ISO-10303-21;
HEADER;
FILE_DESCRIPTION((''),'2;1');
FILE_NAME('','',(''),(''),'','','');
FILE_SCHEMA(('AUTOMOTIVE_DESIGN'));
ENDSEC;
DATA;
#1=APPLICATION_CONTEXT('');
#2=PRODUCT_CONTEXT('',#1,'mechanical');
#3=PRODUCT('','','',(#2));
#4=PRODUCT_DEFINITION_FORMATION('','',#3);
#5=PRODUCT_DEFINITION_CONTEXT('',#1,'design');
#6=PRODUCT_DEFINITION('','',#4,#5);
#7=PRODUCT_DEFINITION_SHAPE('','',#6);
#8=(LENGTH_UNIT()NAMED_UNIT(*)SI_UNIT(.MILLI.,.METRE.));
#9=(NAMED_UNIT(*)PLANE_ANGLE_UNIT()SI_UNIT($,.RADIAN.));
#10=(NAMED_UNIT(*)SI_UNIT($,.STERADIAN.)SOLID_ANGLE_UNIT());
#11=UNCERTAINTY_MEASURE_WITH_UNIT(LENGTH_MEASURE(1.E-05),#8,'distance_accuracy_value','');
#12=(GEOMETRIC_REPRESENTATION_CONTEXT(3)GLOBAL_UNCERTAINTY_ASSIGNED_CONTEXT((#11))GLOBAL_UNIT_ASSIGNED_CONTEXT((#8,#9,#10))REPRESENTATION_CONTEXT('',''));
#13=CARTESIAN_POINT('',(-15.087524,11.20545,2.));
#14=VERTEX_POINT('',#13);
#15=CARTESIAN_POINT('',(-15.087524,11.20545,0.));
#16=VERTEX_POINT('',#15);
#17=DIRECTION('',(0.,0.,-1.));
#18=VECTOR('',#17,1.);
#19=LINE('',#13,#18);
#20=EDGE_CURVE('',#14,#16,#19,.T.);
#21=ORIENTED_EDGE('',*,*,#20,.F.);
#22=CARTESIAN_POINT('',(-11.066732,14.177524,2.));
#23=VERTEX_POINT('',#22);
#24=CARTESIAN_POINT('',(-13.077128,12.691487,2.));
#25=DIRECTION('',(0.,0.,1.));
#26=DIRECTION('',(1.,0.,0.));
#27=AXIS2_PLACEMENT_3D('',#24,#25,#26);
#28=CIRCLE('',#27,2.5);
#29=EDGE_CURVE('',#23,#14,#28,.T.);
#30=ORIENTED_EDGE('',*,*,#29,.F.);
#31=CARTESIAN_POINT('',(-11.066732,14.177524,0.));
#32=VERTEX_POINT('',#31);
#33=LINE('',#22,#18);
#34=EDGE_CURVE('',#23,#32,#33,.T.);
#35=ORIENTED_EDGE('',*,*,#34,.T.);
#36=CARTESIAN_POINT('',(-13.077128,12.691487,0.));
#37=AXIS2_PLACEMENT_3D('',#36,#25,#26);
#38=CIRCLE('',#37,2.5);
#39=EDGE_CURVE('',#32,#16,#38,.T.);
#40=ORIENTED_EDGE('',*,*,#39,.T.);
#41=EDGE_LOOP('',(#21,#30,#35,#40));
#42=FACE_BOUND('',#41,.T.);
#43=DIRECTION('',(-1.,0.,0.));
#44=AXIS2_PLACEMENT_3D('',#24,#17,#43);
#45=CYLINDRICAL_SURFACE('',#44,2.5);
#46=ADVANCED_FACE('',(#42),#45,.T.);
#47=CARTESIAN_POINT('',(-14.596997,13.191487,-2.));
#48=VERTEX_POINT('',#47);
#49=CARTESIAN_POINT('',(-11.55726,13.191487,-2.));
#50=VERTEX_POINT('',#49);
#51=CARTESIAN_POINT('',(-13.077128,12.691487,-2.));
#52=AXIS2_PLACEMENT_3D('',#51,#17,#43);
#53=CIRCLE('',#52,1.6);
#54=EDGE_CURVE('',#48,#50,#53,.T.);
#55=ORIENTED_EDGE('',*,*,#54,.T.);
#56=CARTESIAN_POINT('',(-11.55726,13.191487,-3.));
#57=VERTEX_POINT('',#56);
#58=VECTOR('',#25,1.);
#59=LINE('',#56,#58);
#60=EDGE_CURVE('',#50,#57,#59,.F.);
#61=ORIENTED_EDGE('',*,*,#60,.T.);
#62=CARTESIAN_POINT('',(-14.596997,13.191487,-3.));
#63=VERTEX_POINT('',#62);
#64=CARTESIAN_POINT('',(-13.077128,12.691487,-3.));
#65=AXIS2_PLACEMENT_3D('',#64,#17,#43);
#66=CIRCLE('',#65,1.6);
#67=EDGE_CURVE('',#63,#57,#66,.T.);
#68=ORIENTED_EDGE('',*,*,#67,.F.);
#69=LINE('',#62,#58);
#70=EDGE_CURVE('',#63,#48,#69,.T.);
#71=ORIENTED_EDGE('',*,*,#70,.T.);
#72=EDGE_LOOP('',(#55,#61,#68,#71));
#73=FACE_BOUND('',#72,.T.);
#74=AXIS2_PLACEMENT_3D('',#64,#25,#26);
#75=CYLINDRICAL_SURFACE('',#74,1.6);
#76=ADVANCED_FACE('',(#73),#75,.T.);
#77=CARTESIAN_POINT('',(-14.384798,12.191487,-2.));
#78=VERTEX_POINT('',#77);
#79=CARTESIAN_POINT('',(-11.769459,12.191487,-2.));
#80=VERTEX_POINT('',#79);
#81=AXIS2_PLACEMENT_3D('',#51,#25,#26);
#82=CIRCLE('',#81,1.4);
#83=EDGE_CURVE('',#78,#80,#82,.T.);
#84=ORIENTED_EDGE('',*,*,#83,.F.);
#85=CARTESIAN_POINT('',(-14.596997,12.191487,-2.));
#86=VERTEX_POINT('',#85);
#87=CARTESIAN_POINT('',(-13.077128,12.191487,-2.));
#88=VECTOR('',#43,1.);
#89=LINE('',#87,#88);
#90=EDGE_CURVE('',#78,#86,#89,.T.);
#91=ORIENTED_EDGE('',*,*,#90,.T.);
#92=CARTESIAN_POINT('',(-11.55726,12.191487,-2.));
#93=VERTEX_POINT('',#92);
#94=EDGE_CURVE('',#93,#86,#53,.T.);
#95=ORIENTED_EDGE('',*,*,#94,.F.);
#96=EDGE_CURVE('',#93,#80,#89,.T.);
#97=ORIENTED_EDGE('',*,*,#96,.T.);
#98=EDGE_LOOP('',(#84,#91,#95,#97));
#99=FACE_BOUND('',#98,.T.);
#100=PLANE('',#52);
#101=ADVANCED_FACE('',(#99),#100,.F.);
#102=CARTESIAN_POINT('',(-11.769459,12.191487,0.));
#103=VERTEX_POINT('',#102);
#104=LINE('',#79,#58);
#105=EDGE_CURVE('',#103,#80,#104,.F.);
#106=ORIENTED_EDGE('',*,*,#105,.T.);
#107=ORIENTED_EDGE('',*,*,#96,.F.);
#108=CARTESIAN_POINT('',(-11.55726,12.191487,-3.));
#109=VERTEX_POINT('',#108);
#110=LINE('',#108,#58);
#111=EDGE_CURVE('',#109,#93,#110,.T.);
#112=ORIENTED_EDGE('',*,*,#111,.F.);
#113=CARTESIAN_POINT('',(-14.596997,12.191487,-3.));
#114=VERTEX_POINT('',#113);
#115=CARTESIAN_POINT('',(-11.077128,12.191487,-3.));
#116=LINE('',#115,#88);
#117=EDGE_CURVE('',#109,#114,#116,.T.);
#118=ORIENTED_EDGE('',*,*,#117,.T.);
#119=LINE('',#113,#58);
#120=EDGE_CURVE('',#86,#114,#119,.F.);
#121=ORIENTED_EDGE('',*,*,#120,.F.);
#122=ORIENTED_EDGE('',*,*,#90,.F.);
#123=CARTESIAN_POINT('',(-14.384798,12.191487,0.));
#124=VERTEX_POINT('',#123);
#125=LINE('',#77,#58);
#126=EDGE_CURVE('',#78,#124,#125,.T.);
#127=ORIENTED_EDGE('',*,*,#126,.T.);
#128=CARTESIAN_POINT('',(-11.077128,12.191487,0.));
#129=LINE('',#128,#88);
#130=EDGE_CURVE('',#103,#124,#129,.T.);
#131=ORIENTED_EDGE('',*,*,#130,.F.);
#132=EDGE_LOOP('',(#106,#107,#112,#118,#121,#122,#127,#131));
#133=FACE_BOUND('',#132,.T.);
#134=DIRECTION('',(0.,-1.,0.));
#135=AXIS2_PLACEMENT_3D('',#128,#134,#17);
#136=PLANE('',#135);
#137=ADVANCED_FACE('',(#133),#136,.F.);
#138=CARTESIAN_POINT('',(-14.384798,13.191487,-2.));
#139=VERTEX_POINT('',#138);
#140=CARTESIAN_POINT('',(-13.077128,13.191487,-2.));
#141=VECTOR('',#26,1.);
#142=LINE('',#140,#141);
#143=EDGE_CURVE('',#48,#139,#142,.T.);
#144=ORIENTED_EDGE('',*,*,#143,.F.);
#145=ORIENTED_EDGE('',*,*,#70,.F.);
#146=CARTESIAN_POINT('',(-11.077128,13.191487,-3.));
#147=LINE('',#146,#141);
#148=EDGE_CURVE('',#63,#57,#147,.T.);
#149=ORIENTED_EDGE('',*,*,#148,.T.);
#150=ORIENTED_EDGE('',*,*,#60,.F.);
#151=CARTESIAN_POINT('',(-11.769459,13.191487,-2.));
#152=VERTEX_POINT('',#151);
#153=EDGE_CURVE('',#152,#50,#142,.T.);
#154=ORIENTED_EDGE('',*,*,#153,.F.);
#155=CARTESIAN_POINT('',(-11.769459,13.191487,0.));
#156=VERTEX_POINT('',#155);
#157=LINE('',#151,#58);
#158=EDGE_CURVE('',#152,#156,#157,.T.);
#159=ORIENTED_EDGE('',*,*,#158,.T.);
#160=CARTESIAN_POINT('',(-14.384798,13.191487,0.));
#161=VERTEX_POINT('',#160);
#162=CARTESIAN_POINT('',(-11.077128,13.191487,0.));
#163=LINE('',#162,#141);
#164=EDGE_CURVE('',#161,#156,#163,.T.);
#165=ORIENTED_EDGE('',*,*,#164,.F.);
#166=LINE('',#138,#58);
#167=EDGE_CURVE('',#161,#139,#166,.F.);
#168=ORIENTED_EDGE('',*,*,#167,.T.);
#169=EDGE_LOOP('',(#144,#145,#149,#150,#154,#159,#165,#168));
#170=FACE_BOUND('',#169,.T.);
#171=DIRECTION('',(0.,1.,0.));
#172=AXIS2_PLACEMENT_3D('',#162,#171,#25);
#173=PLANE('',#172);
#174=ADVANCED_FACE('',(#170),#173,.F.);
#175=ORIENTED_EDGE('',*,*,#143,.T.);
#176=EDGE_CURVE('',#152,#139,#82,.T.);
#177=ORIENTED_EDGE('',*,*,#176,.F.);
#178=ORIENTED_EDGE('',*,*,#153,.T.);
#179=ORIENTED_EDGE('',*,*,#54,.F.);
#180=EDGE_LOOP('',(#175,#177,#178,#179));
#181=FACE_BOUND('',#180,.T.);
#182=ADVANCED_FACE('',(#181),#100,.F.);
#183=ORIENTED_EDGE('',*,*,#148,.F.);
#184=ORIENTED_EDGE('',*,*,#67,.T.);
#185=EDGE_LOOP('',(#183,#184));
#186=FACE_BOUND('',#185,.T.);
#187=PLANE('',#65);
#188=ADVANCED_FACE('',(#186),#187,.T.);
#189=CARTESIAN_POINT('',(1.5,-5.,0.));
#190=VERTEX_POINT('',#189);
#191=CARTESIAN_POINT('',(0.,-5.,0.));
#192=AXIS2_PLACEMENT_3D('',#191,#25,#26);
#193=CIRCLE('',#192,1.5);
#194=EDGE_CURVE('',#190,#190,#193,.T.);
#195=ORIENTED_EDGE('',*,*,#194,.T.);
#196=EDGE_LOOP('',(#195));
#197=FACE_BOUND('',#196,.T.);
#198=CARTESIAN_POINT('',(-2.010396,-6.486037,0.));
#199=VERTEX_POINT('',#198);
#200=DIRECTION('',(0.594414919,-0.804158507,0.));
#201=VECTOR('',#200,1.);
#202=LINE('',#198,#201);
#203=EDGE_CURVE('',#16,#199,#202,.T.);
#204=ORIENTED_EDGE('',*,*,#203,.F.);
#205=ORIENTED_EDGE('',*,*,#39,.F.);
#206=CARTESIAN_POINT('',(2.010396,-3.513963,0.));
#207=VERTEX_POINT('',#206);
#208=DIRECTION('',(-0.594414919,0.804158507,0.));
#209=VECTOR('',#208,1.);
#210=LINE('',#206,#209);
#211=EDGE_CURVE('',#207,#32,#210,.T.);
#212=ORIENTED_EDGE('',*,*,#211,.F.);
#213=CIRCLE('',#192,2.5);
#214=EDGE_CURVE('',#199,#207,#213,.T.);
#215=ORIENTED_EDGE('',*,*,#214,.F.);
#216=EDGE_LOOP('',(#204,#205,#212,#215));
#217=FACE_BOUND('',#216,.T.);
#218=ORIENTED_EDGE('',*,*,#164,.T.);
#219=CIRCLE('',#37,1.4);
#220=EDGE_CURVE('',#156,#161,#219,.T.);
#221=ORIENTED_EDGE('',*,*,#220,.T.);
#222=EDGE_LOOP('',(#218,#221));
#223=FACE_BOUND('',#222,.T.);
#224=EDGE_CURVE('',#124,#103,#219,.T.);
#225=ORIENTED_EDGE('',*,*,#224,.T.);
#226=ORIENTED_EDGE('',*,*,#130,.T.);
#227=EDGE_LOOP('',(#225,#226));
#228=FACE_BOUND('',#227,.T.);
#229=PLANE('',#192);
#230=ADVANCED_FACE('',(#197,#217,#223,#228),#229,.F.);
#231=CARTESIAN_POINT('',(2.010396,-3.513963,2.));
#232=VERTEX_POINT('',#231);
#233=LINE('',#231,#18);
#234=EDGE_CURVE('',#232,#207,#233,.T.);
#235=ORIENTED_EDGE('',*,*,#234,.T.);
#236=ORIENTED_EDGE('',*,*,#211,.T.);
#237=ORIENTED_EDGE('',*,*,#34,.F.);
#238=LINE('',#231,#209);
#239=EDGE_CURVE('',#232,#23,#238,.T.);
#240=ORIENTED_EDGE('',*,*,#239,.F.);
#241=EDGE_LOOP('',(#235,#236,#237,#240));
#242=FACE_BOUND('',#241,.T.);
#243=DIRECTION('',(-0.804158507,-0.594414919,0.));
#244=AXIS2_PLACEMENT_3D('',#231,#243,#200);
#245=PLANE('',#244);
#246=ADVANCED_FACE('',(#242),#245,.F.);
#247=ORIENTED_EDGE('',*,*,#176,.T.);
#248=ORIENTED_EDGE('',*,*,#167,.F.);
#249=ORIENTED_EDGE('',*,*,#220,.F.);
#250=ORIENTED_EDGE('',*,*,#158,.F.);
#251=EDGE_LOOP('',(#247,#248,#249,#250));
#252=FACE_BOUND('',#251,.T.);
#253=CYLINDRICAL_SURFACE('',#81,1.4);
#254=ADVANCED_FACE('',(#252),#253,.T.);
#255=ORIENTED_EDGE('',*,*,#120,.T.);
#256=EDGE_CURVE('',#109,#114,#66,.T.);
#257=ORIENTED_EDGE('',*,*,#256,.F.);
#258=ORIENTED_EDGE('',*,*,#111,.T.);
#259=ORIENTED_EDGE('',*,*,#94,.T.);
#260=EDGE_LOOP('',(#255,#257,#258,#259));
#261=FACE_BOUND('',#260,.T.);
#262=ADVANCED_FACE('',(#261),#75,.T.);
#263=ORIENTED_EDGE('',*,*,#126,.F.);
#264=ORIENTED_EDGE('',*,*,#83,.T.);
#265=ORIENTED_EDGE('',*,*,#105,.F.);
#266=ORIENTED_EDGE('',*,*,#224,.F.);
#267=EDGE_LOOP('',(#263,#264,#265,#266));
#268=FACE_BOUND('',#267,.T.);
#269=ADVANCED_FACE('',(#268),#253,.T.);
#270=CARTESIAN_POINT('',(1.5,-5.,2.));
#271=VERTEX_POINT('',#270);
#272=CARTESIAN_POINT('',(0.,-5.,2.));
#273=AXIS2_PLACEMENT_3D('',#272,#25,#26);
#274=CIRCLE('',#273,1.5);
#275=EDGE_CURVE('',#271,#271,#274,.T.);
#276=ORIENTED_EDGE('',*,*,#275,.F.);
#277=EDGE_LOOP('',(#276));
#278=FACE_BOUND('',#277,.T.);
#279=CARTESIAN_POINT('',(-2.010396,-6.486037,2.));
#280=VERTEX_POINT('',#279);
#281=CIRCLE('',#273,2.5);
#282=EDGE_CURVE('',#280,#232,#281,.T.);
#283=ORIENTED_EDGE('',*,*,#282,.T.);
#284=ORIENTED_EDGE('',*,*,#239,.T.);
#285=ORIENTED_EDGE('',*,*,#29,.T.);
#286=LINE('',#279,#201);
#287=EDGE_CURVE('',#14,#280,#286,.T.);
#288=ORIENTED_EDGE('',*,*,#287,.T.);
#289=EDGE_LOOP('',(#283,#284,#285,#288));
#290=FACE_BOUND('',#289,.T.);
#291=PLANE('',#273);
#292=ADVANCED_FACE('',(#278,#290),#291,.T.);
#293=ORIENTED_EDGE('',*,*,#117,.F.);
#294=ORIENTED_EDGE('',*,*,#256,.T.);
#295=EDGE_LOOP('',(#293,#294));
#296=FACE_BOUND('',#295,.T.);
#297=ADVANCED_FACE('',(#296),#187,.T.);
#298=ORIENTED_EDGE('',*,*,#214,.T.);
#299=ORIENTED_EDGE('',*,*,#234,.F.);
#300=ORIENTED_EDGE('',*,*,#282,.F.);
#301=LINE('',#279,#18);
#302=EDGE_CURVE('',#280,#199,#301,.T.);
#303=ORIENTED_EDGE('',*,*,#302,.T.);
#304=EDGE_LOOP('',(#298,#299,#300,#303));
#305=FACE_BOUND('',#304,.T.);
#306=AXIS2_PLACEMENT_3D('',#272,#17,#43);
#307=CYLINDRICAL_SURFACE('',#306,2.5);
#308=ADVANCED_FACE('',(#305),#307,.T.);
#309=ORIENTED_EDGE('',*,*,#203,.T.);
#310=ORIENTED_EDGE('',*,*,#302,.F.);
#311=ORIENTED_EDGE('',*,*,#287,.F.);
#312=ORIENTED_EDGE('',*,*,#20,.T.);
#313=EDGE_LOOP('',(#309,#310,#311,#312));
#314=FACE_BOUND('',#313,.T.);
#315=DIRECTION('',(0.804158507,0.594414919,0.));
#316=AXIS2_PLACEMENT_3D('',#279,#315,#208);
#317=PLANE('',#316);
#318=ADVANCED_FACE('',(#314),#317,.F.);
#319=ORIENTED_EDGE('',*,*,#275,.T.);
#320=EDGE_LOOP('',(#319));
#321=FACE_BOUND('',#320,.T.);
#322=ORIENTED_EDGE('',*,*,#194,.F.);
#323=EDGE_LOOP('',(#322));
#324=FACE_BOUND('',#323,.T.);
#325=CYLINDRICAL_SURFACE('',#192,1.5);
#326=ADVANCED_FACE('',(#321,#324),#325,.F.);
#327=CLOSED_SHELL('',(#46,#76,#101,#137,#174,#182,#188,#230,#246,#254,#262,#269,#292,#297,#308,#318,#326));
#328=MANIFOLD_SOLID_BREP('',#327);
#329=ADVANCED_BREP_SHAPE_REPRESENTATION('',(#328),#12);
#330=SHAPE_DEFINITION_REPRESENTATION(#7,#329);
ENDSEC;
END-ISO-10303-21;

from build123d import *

# Parameters (mm, degrees)
BOSS_EXTRU_1_DEPTH      = 2
ESQUISSE3_R             = 1.5
ENL_V_MAT_EXTRU_1_DEPTH = 2
BOSS_EXTRU_2_START      = -2
ESQUISSE4_R             = 1.4
BOSS_EXTRU_2_DEPTH      = 2
ESQUISSE5_R             = 1.6
BOSS_EXTRU_3_DEPTH      = 1
ESQUISSE6_W             = 4
ESQUISSE6_H             = 1
ENL_V_MAT_EXTRU_2_DEPTH = 3


with BuildPart() as part:
    # Esquisse2 → Boss.-Extru.1 (new body)
    with BuildSketch(Plane.XY):
        with BuildLine():
            Line((-2.010396268, -6.486037297), (-15.087524479, 11.205449858))
            ThreePointArc((-15.087524479, 11.205449858), (-14.563165508, 14.701883422), (-11.066731944, 14.177524451))
            Line((-11.066731944, 14.177524451), (2.010396268, -3.513962703))
            ThreePointArc((2.010396268, -3.513962703), (1.486037297, -7.010396268), (-2.010396268, -6.486037297))
        make_face()
    extrude(amount=BOSS_EXTRU_1_DEPTH)

    # Esquisse3 → Enlèv. mat.-Extru.1 (cut)
    with BuildSketch(Plane.XY.offset(2)):
        with Locations((0, -5)):
            Circle(ESQUISSE3_R)
    extrude(amount=-ENL_V_MAT_EXTRU_1_DEPTH, mode=Mode.SUBTRACT)

    # Esquisse4 → Boss.-Extru.2 (add)
    with BuildSketch(Plane.XY.offset(2).offset(BOSS_EXTRU_2_START)):
        with Locations((-13.077128211, 12.691487155)):
            Circle(ESQUISSE4_R)
    extrude(amount=-BOSS_EXTRU_2_DEPTH)

    # Esquisse5 → Boss.-Extru.3 (add)
    with BuildSketch(Plane(origin=(0, 0, -2), x_dir=(-1, 0, 0), z_dir=(0, 0, -1))):
        with Locations((13.077128211, 12.691487155)):
            Circle(ESQUISSE5_R)
    extrude(amount=BOSS_EXTRU_3_DEPTH)

    # Esquisse6 → Enlèv. mat.-Extru.2 (cut)
    with BuildSketch(Plane(origin=(0, 0, -3), x_dir=(-1, 0, 0), z_dir=(0, 0, -1))):
        with Locations((13.077128211, 12.691487155)):
            Rectangle(ESQUISSE6_W, ESQUISSE6_H)
    extrude(amount=-ENL_V_MAT_EXTRU_2_DEPTH, mode=Mode.SUBTRACT)


solid = part.part
